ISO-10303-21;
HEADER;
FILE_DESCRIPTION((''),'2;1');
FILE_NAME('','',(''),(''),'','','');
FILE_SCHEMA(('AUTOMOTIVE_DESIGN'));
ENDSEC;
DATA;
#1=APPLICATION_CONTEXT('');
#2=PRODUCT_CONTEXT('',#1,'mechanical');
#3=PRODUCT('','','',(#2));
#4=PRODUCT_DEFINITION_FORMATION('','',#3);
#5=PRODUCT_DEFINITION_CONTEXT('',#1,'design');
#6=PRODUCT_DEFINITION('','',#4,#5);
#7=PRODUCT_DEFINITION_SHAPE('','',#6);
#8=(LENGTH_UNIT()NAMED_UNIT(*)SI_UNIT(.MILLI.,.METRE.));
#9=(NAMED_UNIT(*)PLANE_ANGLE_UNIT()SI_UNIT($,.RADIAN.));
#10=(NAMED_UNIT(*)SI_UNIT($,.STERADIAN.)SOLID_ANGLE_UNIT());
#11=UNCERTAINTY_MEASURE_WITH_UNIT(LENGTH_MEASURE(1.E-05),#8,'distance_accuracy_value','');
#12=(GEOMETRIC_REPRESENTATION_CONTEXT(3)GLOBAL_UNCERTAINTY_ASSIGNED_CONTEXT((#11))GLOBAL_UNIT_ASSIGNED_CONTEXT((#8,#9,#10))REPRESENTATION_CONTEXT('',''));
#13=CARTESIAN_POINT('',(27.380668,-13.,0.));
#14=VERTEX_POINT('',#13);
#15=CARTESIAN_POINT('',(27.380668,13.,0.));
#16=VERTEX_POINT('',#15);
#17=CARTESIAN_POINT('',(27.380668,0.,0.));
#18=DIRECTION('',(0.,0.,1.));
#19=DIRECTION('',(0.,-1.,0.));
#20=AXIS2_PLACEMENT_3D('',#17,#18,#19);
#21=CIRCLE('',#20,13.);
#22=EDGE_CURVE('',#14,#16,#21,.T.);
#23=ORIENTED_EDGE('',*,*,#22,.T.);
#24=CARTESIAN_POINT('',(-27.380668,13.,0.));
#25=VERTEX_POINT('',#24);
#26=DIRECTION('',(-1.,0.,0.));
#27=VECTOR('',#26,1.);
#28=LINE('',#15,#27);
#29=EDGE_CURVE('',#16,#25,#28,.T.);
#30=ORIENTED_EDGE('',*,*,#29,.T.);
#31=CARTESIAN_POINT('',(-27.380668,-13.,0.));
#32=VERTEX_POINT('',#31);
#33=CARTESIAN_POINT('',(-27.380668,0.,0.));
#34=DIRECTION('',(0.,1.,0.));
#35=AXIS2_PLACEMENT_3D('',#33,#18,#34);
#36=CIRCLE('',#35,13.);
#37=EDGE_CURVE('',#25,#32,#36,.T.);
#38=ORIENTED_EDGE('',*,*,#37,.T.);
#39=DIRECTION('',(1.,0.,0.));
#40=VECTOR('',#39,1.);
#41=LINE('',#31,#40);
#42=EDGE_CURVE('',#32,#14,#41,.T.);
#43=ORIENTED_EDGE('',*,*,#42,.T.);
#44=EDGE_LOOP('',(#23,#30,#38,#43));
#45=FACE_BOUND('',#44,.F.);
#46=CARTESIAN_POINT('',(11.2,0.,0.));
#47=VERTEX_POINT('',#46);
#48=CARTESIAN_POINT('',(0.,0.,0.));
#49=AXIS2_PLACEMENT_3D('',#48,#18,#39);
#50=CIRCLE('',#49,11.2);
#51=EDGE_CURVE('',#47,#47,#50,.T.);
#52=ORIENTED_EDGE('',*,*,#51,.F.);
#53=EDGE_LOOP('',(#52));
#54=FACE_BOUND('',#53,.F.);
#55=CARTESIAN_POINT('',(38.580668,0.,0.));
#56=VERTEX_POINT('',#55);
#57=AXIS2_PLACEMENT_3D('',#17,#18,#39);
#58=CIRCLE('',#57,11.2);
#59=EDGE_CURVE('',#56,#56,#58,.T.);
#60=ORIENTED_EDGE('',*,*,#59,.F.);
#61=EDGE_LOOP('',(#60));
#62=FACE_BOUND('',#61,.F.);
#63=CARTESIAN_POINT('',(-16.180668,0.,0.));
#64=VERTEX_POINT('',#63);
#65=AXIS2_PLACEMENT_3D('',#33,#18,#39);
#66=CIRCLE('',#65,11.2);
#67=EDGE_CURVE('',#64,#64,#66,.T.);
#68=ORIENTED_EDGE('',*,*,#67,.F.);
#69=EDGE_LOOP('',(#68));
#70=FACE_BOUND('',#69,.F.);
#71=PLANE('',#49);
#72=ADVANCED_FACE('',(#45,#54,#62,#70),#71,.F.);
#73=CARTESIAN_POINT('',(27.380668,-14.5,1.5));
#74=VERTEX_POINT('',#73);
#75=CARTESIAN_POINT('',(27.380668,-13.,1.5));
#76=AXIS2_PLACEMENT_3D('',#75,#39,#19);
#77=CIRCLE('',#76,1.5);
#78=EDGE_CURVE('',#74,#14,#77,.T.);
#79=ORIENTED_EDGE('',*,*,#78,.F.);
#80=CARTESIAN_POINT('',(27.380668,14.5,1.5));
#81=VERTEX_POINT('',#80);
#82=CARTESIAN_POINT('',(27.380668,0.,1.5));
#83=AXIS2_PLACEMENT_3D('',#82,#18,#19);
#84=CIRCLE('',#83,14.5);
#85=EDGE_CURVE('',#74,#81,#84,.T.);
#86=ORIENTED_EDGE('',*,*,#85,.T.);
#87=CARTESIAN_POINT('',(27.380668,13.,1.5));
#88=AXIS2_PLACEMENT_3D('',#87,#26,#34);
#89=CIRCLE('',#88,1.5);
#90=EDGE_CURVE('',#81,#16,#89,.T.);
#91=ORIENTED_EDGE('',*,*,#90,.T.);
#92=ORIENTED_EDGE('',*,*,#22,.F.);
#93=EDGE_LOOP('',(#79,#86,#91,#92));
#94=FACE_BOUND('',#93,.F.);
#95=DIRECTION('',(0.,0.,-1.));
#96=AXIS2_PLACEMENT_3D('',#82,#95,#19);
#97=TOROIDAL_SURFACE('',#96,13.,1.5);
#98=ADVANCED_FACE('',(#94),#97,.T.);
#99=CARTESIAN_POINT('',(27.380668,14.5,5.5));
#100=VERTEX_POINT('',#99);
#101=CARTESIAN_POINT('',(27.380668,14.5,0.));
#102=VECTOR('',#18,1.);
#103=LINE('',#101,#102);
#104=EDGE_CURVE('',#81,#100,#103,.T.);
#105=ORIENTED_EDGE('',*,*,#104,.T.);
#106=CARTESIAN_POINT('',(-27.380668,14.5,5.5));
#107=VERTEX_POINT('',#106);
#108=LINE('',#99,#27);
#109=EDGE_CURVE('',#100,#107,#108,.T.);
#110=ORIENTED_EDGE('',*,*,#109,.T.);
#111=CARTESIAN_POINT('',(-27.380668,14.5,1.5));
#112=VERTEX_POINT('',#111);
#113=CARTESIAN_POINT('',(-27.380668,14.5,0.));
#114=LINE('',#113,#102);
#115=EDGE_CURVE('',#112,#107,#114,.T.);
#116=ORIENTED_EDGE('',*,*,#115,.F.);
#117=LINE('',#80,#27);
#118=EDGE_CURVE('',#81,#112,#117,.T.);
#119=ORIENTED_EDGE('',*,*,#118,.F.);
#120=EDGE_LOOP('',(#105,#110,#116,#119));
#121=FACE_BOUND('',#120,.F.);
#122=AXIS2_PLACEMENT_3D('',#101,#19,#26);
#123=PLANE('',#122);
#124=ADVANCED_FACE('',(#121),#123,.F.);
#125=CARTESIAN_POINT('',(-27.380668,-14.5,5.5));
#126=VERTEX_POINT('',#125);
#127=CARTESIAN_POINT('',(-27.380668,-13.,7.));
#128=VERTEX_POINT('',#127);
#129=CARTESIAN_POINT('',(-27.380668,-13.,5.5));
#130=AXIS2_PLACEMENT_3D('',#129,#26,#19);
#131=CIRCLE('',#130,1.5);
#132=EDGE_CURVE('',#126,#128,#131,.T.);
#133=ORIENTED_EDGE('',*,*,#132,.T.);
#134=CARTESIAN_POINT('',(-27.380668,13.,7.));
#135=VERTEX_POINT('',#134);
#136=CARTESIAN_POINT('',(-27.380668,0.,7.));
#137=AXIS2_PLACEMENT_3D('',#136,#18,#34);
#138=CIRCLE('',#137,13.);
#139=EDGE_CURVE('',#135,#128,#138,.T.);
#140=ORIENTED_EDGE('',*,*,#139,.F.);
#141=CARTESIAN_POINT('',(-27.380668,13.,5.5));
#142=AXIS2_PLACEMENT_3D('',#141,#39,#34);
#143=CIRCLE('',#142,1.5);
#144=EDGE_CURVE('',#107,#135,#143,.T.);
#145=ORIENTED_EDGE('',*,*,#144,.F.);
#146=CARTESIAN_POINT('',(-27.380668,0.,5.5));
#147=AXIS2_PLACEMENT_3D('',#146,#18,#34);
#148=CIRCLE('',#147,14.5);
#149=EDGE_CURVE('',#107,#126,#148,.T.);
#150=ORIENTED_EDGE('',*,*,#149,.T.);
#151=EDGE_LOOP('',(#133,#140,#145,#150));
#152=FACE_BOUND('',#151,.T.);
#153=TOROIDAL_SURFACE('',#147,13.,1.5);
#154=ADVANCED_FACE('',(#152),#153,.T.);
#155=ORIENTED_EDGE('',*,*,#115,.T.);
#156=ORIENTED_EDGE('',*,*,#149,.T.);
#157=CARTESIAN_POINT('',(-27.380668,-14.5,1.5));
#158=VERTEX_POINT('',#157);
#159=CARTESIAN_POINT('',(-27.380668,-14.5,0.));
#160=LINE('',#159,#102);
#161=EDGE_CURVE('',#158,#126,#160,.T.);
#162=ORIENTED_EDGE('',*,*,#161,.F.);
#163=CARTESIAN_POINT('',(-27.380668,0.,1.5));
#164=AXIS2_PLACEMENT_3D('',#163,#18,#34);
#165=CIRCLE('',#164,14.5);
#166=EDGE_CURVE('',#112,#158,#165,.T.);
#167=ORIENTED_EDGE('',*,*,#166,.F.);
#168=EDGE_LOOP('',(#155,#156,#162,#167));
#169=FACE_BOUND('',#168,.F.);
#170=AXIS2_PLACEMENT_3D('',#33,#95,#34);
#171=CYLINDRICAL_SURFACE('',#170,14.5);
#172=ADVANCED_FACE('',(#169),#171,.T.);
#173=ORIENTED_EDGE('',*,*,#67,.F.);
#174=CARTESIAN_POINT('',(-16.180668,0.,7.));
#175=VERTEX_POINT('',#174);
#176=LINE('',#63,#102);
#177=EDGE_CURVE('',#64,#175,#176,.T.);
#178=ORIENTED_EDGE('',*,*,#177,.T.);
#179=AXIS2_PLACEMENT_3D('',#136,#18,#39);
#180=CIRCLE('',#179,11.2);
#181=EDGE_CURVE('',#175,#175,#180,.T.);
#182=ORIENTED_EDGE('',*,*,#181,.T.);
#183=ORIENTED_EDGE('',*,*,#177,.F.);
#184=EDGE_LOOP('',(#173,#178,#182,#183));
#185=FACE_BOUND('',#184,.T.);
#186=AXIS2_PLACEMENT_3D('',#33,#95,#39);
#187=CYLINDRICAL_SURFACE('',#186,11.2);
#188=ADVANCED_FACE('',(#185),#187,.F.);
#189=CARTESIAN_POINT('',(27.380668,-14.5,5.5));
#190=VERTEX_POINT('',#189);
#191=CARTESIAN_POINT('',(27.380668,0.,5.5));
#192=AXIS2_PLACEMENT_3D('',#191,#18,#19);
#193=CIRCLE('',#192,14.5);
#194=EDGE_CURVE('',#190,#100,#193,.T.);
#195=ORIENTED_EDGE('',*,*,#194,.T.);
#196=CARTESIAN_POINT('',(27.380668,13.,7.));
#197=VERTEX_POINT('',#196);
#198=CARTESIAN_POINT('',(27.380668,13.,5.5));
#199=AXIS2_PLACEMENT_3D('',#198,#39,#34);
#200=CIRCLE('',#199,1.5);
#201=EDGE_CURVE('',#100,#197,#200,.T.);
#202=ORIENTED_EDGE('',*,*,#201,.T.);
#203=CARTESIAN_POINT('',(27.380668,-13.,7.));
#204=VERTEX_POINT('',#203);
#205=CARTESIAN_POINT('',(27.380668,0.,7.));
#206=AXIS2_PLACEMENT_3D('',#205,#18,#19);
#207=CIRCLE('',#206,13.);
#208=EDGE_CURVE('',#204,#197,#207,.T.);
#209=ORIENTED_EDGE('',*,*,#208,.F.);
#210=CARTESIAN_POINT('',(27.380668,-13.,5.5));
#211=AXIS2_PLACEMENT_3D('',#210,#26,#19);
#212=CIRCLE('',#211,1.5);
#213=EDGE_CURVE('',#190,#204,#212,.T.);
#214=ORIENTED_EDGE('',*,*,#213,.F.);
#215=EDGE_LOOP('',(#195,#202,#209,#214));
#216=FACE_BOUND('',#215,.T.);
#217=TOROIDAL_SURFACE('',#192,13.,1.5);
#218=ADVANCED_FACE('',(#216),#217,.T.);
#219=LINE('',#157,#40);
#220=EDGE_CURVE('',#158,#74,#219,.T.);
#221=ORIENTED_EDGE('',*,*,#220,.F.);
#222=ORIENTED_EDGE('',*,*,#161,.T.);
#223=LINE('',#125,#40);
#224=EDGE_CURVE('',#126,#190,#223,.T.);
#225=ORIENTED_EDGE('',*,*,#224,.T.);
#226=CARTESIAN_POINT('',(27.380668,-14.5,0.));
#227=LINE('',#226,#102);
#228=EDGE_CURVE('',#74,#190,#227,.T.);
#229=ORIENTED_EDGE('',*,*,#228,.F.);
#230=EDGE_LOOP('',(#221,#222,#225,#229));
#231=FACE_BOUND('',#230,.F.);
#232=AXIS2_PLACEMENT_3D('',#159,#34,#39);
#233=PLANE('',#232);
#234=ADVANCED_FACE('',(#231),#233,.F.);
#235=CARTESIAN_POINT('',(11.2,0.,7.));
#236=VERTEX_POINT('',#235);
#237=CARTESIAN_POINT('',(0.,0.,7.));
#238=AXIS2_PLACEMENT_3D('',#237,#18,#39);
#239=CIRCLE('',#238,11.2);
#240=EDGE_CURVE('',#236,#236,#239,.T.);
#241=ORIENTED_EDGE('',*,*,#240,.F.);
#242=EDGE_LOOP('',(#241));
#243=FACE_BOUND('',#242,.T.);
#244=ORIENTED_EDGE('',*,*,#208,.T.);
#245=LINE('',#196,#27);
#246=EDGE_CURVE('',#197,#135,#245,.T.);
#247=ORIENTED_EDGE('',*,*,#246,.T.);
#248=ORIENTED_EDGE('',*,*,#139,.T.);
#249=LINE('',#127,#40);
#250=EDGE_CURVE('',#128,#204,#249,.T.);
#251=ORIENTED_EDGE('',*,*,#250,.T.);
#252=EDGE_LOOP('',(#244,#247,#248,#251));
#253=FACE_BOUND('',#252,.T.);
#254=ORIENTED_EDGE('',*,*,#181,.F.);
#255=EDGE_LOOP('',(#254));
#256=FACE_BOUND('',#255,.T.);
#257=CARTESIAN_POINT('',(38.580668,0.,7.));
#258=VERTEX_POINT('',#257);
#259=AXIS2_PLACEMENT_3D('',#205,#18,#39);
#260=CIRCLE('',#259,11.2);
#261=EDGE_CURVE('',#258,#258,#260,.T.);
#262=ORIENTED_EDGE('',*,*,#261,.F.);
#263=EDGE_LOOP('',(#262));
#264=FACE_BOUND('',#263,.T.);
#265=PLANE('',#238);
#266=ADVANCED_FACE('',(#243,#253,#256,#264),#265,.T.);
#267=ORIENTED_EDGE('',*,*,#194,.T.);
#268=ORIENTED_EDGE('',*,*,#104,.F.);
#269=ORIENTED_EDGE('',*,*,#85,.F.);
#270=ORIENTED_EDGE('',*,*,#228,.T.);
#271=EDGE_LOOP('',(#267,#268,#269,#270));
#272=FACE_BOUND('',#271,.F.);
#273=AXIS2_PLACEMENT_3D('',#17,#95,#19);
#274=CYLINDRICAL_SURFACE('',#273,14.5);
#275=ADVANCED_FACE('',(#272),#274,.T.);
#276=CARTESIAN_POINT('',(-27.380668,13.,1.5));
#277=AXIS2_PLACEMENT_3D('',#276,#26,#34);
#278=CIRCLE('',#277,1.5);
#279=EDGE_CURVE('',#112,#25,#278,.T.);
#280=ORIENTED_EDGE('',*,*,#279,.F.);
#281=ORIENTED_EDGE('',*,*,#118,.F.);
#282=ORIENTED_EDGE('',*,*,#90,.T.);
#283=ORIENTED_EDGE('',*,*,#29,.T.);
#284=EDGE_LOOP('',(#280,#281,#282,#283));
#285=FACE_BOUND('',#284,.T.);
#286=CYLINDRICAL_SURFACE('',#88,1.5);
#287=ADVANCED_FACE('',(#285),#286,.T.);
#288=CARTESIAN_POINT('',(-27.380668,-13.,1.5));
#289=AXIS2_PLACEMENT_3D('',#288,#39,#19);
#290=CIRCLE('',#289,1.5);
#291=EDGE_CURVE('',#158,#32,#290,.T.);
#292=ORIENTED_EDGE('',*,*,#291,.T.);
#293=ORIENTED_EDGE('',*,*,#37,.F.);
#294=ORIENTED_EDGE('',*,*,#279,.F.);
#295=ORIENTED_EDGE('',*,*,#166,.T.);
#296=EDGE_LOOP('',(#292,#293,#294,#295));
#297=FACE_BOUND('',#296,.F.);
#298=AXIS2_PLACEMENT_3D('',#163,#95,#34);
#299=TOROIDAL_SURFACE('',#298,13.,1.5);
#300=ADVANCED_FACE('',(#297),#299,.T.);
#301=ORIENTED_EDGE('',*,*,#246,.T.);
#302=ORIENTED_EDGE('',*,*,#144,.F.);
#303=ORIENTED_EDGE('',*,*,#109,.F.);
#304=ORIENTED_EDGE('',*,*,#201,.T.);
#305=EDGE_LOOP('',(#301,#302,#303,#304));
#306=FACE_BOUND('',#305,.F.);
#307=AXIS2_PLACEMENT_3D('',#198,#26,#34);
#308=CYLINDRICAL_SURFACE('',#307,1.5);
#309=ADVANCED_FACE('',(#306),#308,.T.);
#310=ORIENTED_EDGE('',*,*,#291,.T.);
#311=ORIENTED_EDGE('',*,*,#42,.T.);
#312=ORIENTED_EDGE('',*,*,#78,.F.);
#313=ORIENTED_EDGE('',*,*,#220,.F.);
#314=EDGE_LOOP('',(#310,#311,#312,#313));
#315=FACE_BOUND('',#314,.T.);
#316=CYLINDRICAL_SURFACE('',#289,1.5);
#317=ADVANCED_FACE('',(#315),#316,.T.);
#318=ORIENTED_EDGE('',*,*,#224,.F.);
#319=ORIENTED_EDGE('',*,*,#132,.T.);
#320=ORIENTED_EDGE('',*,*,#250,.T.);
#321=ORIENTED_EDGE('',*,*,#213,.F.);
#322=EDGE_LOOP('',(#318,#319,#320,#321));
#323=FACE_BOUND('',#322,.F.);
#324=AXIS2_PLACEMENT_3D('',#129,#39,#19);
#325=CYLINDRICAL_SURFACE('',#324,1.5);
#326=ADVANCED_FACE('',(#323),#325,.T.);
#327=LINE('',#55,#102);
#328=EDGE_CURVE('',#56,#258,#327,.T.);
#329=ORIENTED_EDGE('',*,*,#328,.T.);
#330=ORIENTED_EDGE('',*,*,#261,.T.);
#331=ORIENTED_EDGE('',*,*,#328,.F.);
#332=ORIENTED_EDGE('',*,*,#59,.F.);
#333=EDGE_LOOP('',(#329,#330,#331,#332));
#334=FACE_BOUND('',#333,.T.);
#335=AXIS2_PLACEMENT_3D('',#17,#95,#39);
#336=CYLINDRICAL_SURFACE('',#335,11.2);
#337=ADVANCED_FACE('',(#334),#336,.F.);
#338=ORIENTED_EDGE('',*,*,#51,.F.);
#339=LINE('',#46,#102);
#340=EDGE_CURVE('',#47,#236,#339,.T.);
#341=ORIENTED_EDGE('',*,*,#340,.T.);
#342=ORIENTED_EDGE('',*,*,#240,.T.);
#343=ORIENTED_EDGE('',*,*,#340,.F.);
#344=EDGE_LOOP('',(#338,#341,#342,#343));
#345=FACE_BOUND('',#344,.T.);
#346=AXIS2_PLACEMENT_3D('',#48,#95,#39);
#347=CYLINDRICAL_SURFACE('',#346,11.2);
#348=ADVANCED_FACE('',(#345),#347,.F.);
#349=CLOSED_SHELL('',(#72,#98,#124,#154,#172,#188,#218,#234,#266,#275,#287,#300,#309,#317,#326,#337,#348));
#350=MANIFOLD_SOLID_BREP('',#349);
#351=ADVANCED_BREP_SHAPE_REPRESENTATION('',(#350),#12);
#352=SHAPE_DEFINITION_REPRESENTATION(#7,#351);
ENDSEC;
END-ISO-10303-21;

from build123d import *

# Parameters (mm, degrees)
F0_R     = 11.2
F1_DEPTH = 7
F2_R     = 1.5


with BuildPart() as f1:
    # F0 (on Top) → F1 (new body)
    with BuildSketch(Plane.XY):
        with BuildLine():
            Line((-27.380668, -14.5), (27.380668, -14.5))
            ThreePointArc((27.380668, -14.5), (41.880668, 0), (27.380668, 14.5))
            Line((27.380668, 14.5), (-27.380668, 14.5))
            ThreePointArc((-27.380668, 14.5), (-41.880668, 0), (-27.380668, -14.5))
        make_face()
        with Locations((-27.380668, 0)):
            Circle(F0_R, mode=Mode.SUBTRACT)
        Circle(F0_R, mode=Mode.SUBTRACT)
        with Locations((27.380668, 0)):
            Circle(F0_R, mode=Mode.SUBTRACT)
    extrude(amount=F1_DEPTH)

    # F2
    f2_edges = [f1.edges().sort_by_distance(p)[0] for p in [
        (0, -14.5, 7),
        (0, -14.5, 0),
    ]]
    fillet(f2_edges, radius=F2_R)


solid = f1.part
